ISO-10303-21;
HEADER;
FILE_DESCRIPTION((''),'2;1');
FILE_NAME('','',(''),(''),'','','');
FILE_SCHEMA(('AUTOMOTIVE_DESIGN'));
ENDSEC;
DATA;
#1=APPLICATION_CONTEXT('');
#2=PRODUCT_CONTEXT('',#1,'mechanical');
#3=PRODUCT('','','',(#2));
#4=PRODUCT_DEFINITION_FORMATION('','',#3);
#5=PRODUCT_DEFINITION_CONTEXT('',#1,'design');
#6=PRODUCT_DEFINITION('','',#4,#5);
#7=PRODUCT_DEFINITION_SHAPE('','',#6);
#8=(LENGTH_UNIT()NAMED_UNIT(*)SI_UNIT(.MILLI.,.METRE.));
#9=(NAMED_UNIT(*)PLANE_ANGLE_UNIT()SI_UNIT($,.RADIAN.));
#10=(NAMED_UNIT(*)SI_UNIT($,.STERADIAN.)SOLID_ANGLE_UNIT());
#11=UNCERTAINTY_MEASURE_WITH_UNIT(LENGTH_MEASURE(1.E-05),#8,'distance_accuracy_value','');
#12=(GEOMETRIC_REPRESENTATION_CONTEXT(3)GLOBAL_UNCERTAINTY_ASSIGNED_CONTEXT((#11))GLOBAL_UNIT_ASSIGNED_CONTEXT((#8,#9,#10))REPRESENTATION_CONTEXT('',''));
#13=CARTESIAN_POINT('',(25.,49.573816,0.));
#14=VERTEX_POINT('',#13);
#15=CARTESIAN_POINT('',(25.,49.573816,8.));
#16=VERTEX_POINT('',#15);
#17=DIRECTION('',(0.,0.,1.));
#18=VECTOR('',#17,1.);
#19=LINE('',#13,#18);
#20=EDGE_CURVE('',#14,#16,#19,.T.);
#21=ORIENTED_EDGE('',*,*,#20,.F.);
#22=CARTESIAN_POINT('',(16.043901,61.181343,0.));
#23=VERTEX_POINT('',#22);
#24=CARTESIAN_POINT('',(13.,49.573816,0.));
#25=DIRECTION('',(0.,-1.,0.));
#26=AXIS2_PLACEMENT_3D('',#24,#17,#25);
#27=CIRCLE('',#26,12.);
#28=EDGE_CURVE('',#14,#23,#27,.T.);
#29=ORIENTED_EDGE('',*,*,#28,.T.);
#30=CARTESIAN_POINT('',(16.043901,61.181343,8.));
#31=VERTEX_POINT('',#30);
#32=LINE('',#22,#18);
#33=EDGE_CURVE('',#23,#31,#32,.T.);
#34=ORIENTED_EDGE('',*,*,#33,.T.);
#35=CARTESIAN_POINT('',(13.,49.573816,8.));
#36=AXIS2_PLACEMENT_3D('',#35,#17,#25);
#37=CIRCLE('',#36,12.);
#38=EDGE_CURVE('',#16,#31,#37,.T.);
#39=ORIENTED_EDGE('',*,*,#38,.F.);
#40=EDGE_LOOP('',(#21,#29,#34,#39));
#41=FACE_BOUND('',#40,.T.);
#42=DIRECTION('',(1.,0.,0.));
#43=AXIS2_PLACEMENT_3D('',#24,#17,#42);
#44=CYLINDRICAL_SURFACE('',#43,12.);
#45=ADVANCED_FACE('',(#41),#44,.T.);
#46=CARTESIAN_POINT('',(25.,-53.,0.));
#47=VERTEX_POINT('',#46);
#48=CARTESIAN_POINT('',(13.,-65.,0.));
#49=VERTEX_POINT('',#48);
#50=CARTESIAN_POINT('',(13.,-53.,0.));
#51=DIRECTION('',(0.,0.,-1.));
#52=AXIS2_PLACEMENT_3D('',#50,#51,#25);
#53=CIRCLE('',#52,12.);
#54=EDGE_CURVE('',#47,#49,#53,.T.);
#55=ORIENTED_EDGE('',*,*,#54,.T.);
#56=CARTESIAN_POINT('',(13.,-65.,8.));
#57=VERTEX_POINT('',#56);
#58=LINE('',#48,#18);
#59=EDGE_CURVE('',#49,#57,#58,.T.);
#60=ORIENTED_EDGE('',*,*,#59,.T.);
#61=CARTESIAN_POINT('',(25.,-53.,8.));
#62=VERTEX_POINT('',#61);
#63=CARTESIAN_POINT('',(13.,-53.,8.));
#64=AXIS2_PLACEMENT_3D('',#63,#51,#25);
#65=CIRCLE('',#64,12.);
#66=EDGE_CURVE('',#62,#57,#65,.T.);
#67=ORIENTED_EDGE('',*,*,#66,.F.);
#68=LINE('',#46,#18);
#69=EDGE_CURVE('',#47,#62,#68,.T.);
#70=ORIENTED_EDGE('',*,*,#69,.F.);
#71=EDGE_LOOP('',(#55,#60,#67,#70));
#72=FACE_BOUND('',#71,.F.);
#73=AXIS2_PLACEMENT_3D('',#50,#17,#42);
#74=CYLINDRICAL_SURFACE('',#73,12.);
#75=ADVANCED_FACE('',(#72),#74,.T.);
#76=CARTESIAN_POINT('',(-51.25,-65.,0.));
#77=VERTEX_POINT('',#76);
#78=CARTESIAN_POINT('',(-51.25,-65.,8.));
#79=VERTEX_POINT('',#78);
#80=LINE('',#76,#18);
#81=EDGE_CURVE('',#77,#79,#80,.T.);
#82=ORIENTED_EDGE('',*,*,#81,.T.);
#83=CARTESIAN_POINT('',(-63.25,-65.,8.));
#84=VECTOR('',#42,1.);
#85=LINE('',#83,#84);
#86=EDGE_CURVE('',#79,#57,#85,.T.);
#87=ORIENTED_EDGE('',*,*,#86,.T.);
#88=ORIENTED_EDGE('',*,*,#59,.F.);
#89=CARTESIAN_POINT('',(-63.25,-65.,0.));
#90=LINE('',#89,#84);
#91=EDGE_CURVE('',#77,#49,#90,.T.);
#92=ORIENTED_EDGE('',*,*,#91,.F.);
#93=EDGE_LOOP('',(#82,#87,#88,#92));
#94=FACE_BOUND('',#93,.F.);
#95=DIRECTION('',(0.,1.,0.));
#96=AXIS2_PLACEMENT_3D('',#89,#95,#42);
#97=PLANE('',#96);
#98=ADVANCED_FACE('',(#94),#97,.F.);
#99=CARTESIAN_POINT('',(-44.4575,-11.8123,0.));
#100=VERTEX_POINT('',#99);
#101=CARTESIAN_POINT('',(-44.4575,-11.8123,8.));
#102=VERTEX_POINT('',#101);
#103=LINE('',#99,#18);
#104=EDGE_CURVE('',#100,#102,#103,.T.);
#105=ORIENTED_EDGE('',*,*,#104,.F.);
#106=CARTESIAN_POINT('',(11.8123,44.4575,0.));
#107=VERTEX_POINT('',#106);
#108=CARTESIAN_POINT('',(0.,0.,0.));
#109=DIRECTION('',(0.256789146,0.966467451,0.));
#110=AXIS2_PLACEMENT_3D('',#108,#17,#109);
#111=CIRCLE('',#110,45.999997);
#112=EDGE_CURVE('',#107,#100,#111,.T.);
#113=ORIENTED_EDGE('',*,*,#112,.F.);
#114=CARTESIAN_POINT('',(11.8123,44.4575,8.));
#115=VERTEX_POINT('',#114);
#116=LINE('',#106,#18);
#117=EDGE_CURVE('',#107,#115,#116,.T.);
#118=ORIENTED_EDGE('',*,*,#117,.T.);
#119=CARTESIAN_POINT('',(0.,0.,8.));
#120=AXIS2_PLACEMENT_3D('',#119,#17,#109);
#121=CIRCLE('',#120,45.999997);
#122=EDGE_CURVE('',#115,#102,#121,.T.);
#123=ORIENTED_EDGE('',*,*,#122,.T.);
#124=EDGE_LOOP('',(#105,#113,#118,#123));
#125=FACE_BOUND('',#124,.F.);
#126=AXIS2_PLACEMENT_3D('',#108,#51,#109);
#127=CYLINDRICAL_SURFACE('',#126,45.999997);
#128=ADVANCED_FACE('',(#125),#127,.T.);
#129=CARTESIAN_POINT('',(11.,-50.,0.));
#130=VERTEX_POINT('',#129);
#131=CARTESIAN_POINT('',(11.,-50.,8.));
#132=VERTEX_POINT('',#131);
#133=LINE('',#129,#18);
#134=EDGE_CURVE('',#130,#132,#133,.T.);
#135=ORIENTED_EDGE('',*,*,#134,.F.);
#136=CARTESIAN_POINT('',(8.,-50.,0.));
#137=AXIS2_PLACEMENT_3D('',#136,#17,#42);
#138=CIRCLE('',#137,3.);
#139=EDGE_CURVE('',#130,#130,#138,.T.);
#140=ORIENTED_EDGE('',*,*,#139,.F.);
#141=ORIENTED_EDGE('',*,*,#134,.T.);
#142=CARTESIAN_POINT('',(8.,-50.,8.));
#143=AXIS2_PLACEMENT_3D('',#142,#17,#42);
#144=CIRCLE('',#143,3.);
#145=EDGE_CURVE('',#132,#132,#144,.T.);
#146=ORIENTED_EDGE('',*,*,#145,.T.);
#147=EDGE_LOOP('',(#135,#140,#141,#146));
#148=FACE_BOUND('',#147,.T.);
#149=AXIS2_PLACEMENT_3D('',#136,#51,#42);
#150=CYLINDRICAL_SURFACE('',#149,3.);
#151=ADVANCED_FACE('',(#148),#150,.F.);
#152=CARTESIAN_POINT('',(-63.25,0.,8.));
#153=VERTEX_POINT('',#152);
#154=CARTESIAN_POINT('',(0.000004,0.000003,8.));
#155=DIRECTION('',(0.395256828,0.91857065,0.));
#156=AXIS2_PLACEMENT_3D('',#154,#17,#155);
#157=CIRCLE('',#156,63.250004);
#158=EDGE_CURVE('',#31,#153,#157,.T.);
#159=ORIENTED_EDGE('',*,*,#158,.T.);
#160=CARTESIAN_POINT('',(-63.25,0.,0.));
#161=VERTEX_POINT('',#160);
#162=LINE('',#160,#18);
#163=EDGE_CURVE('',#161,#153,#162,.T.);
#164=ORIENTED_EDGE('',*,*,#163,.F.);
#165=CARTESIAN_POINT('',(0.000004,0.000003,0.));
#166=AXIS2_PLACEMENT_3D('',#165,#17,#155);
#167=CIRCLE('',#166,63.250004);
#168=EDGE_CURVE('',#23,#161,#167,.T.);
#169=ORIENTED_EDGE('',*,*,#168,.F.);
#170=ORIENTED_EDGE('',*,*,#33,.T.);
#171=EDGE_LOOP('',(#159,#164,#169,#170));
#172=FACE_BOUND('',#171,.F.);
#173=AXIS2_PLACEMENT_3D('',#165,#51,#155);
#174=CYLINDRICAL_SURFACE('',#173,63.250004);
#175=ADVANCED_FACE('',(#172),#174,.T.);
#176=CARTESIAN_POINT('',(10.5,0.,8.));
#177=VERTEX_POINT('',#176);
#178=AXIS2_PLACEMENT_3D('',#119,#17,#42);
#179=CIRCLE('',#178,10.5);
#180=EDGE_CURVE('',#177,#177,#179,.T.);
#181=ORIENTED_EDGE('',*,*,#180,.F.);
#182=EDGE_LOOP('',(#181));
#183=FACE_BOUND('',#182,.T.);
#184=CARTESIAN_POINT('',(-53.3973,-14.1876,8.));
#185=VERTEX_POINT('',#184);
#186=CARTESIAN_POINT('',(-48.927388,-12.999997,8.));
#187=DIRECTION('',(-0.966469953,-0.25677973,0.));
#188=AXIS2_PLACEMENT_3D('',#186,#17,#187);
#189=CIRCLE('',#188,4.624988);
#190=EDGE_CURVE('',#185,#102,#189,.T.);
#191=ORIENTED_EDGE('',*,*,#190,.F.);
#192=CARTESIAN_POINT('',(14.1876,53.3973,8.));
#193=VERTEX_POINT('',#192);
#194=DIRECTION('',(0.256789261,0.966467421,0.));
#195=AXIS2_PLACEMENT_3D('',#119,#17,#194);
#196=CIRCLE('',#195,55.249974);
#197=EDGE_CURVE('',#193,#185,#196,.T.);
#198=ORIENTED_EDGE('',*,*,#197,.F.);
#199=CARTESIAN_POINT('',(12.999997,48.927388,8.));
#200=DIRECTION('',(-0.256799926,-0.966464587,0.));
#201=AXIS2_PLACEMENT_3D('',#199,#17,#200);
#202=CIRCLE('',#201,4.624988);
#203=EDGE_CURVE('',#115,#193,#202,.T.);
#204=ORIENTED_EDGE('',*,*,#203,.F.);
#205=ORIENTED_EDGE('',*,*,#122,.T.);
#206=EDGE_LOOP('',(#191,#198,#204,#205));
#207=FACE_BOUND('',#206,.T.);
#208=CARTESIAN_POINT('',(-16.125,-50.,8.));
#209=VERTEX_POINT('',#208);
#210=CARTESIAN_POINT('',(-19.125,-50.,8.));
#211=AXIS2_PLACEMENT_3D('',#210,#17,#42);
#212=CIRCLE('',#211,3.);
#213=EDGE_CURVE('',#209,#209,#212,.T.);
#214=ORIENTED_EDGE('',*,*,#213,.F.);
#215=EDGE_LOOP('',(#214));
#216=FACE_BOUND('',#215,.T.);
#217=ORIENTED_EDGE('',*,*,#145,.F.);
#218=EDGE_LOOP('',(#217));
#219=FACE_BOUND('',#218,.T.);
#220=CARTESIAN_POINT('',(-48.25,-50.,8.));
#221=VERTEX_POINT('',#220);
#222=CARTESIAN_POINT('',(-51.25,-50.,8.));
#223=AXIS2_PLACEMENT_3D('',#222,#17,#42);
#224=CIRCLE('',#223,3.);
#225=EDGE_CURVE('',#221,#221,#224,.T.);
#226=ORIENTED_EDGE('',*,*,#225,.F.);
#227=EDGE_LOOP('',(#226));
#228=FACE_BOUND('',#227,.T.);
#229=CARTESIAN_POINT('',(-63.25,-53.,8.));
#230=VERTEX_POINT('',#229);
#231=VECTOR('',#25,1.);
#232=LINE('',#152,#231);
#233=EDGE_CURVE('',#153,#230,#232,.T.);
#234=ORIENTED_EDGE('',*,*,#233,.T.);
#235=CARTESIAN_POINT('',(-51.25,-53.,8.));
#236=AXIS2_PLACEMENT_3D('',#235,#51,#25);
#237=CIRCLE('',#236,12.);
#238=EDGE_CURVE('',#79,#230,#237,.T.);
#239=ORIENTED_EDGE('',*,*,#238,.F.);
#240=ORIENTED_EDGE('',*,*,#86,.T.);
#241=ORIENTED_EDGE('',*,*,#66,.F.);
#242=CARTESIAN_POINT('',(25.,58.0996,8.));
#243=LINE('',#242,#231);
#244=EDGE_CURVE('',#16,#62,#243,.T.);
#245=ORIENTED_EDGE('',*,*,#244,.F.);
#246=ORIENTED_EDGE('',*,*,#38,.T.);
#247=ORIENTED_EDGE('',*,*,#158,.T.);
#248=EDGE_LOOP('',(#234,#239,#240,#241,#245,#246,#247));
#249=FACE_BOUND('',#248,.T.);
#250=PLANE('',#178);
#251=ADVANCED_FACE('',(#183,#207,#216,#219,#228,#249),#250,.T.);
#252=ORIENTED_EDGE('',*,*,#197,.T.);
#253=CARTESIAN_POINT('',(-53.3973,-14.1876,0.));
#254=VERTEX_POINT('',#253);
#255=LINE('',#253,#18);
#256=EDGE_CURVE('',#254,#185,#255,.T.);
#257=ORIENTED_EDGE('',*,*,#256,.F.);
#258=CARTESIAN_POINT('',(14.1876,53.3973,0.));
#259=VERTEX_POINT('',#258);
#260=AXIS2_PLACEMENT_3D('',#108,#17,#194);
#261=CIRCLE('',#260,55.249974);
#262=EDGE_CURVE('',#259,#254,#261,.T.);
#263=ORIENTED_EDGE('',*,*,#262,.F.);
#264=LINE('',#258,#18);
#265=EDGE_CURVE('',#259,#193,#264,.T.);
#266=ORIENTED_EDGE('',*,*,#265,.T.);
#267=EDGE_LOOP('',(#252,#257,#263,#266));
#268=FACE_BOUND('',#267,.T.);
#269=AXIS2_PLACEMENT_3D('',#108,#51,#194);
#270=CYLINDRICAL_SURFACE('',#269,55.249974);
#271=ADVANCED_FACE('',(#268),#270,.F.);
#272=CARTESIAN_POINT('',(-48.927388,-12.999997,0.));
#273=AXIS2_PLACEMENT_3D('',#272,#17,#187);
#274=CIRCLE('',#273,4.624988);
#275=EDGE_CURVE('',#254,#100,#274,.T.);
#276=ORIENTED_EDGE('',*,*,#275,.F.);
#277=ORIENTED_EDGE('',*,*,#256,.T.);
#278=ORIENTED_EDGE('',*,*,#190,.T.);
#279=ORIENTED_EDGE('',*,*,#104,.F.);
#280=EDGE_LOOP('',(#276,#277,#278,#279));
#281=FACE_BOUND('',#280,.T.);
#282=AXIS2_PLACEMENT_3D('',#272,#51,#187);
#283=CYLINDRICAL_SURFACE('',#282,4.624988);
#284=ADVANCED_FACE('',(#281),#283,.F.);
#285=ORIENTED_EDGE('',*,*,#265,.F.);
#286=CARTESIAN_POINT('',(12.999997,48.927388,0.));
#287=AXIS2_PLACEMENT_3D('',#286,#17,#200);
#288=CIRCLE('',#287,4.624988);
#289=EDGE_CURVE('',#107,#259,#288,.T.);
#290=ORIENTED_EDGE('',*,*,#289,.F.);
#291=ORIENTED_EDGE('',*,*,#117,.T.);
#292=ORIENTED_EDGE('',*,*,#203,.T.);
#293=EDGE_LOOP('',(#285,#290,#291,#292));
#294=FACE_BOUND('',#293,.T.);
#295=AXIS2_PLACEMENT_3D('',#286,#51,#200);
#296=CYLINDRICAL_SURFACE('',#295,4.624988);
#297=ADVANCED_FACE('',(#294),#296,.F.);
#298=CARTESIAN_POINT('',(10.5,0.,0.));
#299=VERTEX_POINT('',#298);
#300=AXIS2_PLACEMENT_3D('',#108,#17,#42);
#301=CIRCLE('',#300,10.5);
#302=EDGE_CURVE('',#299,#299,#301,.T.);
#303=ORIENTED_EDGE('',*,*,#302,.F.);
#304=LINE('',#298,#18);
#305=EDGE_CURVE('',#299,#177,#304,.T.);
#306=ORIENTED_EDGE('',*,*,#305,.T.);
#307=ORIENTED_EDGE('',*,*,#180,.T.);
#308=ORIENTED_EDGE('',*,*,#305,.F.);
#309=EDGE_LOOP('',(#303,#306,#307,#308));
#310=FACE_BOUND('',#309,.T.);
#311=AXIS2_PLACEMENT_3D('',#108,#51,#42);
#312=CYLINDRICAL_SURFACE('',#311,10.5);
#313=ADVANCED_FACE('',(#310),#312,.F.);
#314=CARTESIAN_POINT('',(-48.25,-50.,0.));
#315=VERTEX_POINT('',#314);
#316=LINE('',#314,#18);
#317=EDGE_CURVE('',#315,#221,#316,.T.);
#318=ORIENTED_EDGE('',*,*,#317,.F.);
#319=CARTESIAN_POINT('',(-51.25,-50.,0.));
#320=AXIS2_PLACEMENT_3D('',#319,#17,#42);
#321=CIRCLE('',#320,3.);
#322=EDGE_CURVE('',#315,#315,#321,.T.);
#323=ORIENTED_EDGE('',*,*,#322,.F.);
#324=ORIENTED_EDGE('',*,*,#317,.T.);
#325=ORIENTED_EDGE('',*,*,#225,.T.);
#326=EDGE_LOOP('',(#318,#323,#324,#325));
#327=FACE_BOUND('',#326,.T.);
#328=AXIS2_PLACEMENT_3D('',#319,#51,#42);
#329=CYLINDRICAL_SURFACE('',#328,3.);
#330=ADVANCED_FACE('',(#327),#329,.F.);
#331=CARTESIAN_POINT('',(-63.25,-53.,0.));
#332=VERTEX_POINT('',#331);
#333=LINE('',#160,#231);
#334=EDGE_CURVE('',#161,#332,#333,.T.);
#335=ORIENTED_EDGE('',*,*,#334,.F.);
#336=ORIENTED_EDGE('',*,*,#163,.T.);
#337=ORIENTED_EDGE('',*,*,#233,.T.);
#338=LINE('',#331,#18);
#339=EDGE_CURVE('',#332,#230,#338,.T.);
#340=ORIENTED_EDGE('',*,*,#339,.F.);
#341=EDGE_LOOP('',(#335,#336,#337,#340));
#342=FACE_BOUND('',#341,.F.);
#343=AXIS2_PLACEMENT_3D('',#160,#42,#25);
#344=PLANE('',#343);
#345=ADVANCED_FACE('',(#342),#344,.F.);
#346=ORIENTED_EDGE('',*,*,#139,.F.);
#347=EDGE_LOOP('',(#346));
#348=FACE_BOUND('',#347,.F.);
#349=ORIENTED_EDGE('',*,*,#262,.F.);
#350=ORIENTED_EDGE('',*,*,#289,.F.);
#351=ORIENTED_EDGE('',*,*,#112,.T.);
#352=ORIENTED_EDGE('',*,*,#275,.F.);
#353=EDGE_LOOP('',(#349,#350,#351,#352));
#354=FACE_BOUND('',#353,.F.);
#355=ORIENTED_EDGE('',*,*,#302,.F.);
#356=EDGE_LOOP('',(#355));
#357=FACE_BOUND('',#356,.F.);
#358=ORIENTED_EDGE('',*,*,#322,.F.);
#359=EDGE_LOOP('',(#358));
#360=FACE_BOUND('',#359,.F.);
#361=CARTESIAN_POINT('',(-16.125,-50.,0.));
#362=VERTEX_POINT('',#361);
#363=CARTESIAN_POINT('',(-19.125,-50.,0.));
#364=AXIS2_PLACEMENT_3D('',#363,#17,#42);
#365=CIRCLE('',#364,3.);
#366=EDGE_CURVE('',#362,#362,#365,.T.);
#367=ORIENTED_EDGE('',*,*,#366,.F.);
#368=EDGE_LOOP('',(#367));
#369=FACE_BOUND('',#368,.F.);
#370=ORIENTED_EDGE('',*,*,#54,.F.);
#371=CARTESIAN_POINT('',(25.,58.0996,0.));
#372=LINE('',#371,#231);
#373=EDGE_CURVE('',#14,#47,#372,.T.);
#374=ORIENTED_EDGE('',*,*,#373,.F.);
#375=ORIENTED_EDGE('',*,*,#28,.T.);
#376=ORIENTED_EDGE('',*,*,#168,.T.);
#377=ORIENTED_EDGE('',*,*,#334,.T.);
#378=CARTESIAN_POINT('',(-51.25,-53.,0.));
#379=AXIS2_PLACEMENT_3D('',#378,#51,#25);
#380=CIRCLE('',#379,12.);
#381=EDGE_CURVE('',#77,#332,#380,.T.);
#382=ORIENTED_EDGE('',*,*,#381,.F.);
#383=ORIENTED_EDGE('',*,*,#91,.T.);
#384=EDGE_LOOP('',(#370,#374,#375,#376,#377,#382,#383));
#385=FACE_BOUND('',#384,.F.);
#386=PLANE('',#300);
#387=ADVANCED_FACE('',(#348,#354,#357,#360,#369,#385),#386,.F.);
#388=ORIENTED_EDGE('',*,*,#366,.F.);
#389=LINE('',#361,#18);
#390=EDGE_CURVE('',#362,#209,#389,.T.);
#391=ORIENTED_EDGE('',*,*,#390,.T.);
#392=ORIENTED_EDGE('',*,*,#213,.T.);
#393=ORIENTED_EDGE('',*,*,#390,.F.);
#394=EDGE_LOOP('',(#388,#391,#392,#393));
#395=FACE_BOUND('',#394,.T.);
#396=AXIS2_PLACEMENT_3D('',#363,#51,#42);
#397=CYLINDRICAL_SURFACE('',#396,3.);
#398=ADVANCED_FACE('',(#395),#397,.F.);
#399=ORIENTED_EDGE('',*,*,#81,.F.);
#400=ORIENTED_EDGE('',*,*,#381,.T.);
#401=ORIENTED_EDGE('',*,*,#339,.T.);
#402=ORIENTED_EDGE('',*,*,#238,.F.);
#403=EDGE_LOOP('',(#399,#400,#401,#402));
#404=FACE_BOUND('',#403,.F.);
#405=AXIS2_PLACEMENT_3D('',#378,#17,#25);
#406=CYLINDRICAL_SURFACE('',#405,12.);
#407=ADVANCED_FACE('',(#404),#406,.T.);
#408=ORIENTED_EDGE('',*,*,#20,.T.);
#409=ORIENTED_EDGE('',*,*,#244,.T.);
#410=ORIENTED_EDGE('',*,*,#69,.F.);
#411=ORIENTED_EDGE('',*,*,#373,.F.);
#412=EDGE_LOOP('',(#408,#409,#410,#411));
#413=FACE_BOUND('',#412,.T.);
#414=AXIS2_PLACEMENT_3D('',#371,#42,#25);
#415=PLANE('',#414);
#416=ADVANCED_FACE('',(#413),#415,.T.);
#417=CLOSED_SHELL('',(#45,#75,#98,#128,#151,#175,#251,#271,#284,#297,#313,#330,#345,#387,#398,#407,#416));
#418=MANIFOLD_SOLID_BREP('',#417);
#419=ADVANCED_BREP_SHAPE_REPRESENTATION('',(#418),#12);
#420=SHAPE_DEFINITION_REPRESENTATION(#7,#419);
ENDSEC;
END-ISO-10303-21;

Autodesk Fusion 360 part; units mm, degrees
sketch "Sketch1" plane through (0, 0, 0) normal (0, 0, 1) x (1, 0, 0)
  circle A0 centre (0, 0) radius 10.5
  circle A1 centre (0, 0) radius 4
  arc A2 (11.8123, 44.4575) -> (-44.4575, -11.8123) centre (0, 0) ccw
  arc A3 (14.1876, 53.3973) -> (-53.3973, -14.1876) centre (0, 0) ccw
  arc A4 (-53.3973, -14.1876) -> (-44.4575, -11.8123) centre (-48.9274, -13) ccw
  arc A5 (11.8123, 44.4575) -> (14.1876, 53.3973) centre (13, 48.9274) ccw
  line L0 (25, 58.0996) -> (25, -65)
  line L1 (-63.25, -65) -> (25, -65)
  line L2 (-63.25, 0) -> (-63.25, -65)
  arc A6 (25, 58.0996) -> (-63.25, 0) centre (0, 0) ccw
  circle A7 centre (-51.25, -50) radius 3
  circle A8 centre (-19.125, -50) radius 3
  circle A9 centre (8, -50) radius 3
  dimension "d1" = 21
  dimension "d2" = 8
  dimension "d3" = 92
  dimension "d4" = 110.5
  dimension "d5" = 9.25
  dimension "d6" = 9.25
  dimension "d9" = 126.5
  dimension "d10" = 25
  dimension "d11" = 12
  dimension "d13" = 6
  dimension "d14" = 6
  dimension "d15" = 6
  dimension "d16" = 15
  dimension "d18" = 15
  dimension "d19" = 15
  dimension "d21" = 12
  dimension "d22" = 17
  dimension "d29" = 65
  dimension "d30" = 50.625
  dimension "d33" = 44.125
  dimension "d34" = 13
extrude "Extrude1" add sketch "Sketch1" along normal blind 8 contours L0 L1 L2 A6
fillet "Fillet1" radius 12 3 edges at (-63.25, -65, 4) (25, -65, 4) (25, 58.0996, 4)
equation "d4 = d3 + 18.5 mm"
equation "d5 = d6"
equation "d6 = ( d4 - d3 ) / 2"
equation "d9 = d4 + 16 mm"
equation "d18 = d16"
equation "d19 = d16"
equation "d21 = d11"
equation "d22 = d11 + 5 mm"
equation "d33 = ( ( d9 / 2 ) + d10 ) / 2"
equation "d34 = d10 - d11"
